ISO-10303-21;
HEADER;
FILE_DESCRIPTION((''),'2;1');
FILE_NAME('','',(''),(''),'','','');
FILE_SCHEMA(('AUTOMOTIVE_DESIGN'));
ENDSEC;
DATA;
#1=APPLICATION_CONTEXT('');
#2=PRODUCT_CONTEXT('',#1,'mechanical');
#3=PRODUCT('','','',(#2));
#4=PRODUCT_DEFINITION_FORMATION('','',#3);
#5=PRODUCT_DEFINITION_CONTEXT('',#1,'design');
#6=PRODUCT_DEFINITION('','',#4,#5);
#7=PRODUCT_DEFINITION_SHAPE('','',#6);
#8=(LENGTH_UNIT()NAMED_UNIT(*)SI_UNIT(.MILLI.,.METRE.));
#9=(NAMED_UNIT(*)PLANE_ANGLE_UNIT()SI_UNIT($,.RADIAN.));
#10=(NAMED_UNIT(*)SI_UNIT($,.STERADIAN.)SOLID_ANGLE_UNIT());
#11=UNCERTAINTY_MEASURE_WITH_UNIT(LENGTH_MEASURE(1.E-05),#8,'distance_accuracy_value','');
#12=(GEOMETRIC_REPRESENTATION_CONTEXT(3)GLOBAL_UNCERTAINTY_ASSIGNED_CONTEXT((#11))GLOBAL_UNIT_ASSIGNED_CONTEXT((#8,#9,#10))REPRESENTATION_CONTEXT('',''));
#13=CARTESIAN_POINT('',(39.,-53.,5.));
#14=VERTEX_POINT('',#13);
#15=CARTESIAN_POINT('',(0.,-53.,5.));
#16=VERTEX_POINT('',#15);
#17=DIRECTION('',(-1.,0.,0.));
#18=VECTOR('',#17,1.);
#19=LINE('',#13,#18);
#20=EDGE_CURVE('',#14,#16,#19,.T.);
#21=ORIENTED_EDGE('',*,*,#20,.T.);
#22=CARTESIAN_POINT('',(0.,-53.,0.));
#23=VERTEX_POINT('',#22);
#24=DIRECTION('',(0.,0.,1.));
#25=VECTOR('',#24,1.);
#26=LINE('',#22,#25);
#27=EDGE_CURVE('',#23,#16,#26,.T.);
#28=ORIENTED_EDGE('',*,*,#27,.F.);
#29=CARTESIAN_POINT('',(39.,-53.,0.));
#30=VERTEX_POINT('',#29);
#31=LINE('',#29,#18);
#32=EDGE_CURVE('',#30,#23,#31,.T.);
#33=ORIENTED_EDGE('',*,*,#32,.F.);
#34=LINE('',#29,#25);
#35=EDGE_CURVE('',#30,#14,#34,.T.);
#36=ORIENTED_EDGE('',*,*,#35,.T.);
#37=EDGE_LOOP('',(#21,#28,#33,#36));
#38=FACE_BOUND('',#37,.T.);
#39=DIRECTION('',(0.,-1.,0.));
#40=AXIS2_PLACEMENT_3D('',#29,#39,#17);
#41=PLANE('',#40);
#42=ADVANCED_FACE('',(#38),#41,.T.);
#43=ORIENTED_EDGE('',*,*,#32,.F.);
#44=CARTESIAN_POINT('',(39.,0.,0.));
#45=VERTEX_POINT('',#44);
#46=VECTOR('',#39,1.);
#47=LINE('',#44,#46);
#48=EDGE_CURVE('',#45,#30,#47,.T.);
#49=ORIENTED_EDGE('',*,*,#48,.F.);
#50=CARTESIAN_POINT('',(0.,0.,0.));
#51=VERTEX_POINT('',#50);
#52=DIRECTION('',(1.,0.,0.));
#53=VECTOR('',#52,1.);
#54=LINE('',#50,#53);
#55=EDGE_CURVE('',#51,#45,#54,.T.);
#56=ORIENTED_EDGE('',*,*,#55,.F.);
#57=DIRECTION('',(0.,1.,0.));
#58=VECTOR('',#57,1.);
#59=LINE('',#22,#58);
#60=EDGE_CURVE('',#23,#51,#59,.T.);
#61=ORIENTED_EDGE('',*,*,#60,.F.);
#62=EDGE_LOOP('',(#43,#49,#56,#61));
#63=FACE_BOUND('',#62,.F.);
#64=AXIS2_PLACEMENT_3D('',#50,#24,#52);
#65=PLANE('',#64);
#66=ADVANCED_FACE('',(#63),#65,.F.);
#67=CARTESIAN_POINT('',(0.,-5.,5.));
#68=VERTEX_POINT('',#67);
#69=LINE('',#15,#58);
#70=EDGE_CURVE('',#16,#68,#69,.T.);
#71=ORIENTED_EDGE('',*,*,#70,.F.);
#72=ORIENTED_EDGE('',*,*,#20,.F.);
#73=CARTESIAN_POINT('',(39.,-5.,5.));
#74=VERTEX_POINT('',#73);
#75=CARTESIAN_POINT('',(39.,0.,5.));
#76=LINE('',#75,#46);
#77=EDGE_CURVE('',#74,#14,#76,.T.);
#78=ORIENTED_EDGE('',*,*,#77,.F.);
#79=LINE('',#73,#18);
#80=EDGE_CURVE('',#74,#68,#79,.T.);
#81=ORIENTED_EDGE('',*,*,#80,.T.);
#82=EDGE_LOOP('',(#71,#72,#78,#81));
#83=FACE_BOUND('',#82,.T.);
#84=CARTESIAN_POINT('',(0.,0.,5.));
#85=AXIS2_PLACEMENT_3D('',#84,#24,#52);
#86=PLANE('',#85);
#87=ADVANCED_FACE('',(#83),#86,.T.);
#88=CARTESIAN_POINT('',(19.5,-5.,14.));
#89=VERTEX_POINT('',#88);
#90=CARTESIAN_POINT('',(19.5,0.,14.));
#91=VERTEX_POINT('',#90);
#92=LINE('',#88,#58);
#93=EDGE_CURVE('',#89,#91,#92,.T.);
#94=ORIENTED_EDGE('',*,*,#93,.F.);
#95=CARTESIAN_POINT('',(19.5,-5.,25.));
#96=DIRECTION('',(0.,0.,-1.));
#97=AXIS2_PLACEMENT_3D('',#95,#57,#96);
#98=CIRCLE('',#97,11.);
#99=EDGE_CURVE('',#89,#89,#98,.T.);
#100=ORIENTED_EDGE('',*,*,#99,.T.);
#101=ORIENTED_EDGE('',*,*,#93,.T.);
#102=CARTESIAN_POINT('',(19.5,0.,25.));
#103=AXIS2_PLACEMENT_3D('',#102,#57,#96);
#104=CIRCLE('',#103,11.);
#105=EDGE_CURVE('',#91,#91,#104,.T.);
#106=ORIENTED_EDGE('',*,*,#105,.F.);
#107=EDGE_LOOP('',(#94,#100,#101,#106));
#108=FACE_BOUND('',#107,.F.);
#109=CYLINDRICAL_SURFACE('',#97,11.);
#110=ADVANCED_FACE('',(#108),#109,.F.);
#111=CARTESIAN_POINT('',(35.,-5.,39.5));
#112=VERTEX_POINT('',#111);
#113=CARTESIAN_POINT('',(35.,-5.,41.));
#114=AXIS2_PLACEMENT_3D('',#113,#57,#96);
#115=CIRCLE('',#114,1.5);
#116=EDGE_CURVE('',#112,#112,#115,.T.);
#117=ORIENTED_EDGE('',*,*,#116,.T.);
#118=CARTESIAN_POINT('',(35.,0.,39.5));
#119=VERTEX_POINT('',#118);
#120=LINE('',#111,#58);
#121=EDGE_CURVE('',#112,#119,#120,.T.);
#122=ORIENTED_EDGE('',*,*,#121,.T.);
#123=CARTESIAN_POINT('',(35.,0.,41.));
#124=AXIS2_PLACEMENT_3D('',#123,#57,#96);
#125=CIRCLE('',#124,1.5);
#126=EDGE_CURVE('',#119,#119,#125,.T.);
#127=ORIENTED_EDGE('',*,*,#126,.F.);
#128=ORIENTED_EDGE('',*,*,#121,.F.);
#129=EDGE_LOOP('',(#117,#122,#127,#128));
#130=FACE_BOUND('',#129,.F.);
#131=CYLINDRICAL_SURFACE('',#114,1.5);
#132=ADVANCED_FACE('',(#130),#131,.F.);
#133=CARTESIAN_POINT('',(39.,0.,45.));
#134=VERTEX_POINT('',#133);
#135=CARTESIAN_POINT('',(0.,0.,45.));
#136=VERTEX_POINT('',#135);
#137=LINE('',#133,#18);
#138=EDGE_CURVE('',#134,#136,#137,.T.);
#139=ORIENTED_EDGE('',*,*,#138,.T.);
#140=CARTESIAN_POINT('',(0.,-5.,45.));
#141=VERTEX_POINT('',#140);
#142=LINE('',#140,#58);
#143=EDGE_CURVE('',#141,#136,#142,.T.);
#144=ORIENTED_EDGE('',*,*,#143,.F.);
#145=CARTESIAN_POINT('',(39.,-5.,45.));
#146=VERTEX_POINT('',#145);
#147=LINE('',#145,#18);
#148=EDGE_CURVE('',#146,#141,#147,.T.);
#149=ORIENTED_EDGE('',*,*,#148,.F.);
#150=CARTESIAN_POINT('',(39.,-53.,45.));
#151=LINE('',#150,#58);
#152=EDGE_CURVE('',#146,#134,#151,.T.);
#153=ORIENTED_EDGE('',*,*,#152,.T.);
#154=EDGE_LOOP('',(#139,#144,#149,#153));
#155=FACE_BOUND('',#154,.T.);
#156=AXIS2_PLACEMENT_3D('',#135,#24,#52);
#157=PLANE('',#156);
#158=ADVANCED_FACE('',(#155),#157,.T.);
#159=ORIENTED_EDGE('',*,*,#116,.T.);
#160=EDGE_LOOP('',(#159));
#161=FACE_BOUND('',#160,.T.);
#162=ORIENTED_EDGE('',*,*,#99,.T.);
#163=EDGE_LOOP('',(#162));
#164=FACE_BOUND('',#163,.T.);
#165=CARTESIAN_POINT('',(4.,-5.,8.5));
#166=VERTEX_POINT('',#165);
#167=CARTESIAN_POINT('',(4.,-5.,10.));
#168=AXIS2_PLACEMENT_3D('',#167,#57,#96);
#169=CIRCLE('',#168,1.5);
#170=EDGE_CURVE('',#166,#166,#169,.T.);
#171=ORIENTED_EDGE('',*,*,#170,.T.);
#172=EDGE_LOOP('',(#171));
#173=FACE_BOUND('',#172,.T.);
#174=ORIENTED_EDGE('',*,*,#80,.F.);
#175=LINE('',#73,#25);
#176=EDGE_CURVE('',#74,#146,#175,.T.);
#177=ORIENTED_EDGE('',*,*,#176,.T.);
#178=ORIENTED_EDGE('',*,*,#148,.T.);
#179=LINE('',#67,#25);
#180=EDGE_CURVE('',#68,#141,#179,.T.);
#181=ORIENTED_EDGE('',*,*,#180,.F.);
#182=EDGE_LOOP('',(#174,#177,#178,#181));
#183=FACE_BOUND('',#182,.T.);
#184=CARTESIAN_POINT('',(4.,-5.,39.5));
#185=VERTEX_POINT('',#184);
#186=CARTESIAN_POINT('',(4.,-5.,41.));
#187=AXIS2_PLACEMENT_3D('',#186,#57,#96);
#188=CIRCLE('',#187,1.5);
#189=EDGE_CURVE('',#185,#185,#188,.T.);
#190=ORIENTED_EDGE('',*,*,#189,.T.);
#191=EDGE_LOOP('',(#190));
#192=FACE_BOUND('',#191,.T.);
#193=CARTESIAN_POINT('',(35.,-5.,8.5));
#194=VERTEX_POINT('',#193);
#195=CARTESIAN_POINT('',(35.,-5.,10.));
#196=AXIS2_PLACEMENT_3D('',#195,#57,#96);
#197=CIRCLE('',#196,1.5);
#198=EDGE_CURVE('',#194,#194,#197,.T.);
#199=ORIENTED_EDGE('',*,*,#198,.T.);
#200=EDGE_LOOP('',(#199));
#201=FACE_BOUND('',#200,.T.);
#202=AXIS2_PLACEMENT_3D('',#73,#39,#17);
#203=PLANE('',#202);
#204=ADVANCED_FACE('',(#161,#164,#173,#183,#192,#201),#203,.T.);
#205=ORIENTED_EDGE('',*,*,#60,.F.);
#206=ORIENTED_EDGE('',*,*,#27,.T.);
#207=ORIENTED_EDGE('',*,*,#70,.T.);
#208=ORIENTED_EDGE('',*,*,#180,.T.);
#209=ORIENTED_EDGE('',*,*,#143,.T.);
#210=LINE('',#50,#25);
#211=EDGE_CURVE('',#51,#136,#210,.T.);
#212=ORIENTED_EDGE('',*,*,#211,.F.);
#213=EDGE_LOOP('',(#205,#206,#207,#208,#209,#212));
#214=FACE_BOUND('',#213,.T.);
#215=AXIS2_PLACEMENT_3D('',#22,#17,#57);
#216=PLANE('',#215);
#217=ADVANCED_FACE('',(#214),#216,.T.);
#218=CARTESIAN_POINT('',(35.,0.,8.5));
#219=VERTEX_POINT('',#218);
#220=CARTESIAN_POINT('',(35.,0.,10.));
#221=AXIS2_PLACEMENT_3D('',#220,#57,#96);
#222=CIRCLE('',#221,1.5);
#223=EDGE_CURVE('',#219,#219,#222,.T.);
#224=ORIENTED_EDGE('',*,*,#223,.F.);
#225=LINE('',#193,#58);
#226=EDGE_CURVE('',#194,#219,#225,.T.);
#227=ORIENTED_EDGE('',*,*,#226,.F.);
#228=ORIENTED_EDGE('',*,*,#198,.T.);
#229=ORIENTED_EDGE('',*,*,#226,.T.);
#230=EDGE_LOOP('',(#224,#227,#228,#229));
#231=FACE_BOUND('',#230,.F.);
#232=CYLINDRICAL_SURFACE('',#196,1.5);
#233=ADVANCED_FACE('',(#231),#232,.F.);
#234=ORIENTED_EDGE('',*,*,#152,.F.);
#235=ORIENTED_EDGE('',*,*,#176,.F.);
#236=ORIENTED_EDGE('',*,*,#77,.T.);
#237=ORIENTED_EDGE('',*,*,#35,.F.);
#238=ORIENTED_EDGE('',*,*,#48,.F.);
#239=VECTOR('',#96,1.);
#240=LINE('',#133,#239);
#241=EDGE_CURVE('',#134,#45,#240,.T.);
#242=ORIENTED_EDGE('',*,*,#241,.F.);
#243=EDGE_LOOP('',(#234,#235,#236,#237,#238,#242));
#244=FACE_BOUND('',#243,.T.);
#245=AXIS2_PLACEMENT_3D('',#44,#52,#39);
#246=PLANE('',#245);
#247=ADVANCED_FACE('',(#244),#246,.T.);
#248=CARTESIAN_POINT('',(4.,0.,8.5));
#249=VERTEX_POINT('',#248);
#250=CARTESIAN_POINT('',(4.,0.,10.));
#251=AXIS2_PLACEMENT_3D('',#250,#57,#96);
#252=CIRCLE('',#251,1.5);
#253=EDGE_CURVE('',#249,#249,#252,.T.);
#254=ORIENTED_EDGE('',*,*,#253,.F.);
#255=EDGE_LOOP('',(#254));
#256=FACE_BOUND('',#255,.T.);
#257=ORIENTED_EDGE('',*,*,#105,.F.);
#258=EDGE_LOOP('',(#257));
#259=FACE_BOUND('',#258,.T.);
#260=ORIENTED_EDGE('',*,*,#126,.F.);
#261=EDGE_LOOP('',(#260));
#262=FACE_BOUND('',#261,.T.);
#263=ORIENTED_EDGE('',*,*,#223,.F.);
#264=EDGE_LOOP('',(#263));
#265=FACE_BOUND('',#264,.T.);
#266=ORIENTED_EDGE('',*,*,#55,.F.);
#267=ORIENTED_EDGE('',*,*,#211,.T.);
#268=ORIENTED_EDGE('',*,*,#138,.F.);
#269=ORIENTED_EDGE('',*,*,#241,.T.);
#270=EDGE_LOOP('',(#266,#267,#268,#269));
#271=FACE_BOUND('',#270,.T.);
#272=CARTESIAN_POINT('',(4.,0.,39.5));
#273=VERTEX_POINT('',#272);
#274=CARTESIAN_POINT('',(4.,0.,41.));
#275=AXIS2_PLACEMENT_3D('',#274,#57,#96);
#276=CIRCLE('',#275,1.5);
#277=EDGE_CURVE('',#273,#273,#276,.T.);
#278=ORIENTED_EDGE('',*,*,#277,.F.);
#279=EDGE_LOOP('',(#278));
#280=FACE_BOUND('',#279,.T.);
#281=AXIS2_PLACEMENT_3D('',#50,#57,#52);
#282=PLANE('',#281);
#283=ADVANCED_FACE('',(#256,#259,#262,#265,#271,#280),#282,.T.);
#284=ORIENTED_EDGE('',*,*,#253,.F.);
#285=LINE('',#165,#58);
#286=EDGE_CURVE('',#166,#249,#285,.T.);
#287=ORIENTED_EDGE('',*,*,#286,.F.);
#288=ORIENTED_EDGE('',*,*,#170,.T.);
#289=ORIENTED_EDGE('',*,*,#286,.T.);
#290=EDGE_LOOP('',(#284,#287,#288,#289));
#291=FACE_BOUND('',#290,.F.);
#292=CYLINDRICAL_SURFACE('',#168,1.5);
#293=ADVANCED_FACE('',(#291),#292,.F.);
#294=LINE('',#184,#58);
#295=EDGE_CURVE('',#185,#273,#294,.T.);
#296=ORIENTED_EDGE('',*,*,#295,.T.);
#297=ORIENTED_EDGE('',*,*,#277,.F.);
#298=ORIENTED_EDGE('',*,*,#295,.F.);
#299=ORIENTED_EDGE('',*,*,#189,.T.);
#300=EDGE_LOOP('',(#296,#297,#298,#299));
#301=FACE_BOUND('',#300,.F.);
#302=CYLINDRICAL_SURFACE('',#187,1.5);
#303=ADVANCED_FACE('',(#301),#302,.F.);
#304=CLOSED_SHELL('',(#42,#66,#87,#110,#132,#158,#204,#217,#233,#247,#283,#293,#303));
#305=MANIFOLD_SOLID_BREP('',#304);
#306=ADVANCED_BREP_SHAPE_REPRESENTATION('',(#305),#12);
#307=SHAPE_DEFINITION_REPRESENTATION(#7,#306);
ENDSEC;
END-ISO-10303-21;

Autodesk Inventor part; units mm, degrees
ref_plane "YZ Plane" through (0, 0, 0) normal (1, 0, 0) x (0, 1, 0)
ref_plane "XZ Plane" through (0, 0, 0) normal (0, 1, 0) x (-1, 0, 0)
ref_plane "XY Plane" through (0, 0, 0) normal (0, 0, 1) x (1, 0, 0)
sketch "Sketch1" plane through (0, 0, 0) normal (0, 0, 1) x (1, 0, 0)
  line L0 (0, 0) -> (39, 0)
  line L1 (39, 0) -> (39, -53)
  line L2 (39, -53) -> (0, -53)
  line L3 (0, -53) -> (0, 0)
  dimension "d0" = 39
  dimension "d1" = 53
extrude "Extrusion1" add sketch "Sketch1" along normal blind 5
sketch "Sketch2" plane through (0, 0, 5) normal (0, 0, 1) x (1, 0, 0)
  line L0 (39, 0) -> (0, 0) projected
  line L1 (39, -53) -> (39, 0) projected
  line L2 (0, 0) -> (39, 0)
  line L3 (39, 0) -> (39, -5)
  line L4 (39, -5) -> (0, -5)
  line L5 (0, -5) -> (0, 0)
  dimension "d4" = 5
extrude "Extrusion2" add sketch "Sketch2" along normal blind 40
sketch "Sketch3" plane through (0, -5, 5) normal (0, -1, 0) x (1, 0, 0)
  line L0 (0, 0) -> (0, 40) projected
  line L1 (0, 0) -> (39, 0) projected
  point P0 (0, -5)
  point P1 (19.5, 20)
  point P2 (4, 5)
  point P3 (4, 36)
  point P4 (35, 5)
  point P5 (35, 36)
  dimension "d7" = 19.5
  dimension "d8" = 20
  dimension "d9" = 5
  dimension "d10" = 4
  dimension "d13" = 31
  dimension "d16" = 31
hole "Hole1" at (19.5, -5, 25) direction (0, 1, 0) diameter 22 end through all
hole "Hole2" at (4, -5, 10) at (4, -5, 41) at (35, -5, 41) at (35, -5, 10) direction (0, 1, 0) diameter 3 end through all
properties part number "head-baseblate" material "Aluminum 6061"
